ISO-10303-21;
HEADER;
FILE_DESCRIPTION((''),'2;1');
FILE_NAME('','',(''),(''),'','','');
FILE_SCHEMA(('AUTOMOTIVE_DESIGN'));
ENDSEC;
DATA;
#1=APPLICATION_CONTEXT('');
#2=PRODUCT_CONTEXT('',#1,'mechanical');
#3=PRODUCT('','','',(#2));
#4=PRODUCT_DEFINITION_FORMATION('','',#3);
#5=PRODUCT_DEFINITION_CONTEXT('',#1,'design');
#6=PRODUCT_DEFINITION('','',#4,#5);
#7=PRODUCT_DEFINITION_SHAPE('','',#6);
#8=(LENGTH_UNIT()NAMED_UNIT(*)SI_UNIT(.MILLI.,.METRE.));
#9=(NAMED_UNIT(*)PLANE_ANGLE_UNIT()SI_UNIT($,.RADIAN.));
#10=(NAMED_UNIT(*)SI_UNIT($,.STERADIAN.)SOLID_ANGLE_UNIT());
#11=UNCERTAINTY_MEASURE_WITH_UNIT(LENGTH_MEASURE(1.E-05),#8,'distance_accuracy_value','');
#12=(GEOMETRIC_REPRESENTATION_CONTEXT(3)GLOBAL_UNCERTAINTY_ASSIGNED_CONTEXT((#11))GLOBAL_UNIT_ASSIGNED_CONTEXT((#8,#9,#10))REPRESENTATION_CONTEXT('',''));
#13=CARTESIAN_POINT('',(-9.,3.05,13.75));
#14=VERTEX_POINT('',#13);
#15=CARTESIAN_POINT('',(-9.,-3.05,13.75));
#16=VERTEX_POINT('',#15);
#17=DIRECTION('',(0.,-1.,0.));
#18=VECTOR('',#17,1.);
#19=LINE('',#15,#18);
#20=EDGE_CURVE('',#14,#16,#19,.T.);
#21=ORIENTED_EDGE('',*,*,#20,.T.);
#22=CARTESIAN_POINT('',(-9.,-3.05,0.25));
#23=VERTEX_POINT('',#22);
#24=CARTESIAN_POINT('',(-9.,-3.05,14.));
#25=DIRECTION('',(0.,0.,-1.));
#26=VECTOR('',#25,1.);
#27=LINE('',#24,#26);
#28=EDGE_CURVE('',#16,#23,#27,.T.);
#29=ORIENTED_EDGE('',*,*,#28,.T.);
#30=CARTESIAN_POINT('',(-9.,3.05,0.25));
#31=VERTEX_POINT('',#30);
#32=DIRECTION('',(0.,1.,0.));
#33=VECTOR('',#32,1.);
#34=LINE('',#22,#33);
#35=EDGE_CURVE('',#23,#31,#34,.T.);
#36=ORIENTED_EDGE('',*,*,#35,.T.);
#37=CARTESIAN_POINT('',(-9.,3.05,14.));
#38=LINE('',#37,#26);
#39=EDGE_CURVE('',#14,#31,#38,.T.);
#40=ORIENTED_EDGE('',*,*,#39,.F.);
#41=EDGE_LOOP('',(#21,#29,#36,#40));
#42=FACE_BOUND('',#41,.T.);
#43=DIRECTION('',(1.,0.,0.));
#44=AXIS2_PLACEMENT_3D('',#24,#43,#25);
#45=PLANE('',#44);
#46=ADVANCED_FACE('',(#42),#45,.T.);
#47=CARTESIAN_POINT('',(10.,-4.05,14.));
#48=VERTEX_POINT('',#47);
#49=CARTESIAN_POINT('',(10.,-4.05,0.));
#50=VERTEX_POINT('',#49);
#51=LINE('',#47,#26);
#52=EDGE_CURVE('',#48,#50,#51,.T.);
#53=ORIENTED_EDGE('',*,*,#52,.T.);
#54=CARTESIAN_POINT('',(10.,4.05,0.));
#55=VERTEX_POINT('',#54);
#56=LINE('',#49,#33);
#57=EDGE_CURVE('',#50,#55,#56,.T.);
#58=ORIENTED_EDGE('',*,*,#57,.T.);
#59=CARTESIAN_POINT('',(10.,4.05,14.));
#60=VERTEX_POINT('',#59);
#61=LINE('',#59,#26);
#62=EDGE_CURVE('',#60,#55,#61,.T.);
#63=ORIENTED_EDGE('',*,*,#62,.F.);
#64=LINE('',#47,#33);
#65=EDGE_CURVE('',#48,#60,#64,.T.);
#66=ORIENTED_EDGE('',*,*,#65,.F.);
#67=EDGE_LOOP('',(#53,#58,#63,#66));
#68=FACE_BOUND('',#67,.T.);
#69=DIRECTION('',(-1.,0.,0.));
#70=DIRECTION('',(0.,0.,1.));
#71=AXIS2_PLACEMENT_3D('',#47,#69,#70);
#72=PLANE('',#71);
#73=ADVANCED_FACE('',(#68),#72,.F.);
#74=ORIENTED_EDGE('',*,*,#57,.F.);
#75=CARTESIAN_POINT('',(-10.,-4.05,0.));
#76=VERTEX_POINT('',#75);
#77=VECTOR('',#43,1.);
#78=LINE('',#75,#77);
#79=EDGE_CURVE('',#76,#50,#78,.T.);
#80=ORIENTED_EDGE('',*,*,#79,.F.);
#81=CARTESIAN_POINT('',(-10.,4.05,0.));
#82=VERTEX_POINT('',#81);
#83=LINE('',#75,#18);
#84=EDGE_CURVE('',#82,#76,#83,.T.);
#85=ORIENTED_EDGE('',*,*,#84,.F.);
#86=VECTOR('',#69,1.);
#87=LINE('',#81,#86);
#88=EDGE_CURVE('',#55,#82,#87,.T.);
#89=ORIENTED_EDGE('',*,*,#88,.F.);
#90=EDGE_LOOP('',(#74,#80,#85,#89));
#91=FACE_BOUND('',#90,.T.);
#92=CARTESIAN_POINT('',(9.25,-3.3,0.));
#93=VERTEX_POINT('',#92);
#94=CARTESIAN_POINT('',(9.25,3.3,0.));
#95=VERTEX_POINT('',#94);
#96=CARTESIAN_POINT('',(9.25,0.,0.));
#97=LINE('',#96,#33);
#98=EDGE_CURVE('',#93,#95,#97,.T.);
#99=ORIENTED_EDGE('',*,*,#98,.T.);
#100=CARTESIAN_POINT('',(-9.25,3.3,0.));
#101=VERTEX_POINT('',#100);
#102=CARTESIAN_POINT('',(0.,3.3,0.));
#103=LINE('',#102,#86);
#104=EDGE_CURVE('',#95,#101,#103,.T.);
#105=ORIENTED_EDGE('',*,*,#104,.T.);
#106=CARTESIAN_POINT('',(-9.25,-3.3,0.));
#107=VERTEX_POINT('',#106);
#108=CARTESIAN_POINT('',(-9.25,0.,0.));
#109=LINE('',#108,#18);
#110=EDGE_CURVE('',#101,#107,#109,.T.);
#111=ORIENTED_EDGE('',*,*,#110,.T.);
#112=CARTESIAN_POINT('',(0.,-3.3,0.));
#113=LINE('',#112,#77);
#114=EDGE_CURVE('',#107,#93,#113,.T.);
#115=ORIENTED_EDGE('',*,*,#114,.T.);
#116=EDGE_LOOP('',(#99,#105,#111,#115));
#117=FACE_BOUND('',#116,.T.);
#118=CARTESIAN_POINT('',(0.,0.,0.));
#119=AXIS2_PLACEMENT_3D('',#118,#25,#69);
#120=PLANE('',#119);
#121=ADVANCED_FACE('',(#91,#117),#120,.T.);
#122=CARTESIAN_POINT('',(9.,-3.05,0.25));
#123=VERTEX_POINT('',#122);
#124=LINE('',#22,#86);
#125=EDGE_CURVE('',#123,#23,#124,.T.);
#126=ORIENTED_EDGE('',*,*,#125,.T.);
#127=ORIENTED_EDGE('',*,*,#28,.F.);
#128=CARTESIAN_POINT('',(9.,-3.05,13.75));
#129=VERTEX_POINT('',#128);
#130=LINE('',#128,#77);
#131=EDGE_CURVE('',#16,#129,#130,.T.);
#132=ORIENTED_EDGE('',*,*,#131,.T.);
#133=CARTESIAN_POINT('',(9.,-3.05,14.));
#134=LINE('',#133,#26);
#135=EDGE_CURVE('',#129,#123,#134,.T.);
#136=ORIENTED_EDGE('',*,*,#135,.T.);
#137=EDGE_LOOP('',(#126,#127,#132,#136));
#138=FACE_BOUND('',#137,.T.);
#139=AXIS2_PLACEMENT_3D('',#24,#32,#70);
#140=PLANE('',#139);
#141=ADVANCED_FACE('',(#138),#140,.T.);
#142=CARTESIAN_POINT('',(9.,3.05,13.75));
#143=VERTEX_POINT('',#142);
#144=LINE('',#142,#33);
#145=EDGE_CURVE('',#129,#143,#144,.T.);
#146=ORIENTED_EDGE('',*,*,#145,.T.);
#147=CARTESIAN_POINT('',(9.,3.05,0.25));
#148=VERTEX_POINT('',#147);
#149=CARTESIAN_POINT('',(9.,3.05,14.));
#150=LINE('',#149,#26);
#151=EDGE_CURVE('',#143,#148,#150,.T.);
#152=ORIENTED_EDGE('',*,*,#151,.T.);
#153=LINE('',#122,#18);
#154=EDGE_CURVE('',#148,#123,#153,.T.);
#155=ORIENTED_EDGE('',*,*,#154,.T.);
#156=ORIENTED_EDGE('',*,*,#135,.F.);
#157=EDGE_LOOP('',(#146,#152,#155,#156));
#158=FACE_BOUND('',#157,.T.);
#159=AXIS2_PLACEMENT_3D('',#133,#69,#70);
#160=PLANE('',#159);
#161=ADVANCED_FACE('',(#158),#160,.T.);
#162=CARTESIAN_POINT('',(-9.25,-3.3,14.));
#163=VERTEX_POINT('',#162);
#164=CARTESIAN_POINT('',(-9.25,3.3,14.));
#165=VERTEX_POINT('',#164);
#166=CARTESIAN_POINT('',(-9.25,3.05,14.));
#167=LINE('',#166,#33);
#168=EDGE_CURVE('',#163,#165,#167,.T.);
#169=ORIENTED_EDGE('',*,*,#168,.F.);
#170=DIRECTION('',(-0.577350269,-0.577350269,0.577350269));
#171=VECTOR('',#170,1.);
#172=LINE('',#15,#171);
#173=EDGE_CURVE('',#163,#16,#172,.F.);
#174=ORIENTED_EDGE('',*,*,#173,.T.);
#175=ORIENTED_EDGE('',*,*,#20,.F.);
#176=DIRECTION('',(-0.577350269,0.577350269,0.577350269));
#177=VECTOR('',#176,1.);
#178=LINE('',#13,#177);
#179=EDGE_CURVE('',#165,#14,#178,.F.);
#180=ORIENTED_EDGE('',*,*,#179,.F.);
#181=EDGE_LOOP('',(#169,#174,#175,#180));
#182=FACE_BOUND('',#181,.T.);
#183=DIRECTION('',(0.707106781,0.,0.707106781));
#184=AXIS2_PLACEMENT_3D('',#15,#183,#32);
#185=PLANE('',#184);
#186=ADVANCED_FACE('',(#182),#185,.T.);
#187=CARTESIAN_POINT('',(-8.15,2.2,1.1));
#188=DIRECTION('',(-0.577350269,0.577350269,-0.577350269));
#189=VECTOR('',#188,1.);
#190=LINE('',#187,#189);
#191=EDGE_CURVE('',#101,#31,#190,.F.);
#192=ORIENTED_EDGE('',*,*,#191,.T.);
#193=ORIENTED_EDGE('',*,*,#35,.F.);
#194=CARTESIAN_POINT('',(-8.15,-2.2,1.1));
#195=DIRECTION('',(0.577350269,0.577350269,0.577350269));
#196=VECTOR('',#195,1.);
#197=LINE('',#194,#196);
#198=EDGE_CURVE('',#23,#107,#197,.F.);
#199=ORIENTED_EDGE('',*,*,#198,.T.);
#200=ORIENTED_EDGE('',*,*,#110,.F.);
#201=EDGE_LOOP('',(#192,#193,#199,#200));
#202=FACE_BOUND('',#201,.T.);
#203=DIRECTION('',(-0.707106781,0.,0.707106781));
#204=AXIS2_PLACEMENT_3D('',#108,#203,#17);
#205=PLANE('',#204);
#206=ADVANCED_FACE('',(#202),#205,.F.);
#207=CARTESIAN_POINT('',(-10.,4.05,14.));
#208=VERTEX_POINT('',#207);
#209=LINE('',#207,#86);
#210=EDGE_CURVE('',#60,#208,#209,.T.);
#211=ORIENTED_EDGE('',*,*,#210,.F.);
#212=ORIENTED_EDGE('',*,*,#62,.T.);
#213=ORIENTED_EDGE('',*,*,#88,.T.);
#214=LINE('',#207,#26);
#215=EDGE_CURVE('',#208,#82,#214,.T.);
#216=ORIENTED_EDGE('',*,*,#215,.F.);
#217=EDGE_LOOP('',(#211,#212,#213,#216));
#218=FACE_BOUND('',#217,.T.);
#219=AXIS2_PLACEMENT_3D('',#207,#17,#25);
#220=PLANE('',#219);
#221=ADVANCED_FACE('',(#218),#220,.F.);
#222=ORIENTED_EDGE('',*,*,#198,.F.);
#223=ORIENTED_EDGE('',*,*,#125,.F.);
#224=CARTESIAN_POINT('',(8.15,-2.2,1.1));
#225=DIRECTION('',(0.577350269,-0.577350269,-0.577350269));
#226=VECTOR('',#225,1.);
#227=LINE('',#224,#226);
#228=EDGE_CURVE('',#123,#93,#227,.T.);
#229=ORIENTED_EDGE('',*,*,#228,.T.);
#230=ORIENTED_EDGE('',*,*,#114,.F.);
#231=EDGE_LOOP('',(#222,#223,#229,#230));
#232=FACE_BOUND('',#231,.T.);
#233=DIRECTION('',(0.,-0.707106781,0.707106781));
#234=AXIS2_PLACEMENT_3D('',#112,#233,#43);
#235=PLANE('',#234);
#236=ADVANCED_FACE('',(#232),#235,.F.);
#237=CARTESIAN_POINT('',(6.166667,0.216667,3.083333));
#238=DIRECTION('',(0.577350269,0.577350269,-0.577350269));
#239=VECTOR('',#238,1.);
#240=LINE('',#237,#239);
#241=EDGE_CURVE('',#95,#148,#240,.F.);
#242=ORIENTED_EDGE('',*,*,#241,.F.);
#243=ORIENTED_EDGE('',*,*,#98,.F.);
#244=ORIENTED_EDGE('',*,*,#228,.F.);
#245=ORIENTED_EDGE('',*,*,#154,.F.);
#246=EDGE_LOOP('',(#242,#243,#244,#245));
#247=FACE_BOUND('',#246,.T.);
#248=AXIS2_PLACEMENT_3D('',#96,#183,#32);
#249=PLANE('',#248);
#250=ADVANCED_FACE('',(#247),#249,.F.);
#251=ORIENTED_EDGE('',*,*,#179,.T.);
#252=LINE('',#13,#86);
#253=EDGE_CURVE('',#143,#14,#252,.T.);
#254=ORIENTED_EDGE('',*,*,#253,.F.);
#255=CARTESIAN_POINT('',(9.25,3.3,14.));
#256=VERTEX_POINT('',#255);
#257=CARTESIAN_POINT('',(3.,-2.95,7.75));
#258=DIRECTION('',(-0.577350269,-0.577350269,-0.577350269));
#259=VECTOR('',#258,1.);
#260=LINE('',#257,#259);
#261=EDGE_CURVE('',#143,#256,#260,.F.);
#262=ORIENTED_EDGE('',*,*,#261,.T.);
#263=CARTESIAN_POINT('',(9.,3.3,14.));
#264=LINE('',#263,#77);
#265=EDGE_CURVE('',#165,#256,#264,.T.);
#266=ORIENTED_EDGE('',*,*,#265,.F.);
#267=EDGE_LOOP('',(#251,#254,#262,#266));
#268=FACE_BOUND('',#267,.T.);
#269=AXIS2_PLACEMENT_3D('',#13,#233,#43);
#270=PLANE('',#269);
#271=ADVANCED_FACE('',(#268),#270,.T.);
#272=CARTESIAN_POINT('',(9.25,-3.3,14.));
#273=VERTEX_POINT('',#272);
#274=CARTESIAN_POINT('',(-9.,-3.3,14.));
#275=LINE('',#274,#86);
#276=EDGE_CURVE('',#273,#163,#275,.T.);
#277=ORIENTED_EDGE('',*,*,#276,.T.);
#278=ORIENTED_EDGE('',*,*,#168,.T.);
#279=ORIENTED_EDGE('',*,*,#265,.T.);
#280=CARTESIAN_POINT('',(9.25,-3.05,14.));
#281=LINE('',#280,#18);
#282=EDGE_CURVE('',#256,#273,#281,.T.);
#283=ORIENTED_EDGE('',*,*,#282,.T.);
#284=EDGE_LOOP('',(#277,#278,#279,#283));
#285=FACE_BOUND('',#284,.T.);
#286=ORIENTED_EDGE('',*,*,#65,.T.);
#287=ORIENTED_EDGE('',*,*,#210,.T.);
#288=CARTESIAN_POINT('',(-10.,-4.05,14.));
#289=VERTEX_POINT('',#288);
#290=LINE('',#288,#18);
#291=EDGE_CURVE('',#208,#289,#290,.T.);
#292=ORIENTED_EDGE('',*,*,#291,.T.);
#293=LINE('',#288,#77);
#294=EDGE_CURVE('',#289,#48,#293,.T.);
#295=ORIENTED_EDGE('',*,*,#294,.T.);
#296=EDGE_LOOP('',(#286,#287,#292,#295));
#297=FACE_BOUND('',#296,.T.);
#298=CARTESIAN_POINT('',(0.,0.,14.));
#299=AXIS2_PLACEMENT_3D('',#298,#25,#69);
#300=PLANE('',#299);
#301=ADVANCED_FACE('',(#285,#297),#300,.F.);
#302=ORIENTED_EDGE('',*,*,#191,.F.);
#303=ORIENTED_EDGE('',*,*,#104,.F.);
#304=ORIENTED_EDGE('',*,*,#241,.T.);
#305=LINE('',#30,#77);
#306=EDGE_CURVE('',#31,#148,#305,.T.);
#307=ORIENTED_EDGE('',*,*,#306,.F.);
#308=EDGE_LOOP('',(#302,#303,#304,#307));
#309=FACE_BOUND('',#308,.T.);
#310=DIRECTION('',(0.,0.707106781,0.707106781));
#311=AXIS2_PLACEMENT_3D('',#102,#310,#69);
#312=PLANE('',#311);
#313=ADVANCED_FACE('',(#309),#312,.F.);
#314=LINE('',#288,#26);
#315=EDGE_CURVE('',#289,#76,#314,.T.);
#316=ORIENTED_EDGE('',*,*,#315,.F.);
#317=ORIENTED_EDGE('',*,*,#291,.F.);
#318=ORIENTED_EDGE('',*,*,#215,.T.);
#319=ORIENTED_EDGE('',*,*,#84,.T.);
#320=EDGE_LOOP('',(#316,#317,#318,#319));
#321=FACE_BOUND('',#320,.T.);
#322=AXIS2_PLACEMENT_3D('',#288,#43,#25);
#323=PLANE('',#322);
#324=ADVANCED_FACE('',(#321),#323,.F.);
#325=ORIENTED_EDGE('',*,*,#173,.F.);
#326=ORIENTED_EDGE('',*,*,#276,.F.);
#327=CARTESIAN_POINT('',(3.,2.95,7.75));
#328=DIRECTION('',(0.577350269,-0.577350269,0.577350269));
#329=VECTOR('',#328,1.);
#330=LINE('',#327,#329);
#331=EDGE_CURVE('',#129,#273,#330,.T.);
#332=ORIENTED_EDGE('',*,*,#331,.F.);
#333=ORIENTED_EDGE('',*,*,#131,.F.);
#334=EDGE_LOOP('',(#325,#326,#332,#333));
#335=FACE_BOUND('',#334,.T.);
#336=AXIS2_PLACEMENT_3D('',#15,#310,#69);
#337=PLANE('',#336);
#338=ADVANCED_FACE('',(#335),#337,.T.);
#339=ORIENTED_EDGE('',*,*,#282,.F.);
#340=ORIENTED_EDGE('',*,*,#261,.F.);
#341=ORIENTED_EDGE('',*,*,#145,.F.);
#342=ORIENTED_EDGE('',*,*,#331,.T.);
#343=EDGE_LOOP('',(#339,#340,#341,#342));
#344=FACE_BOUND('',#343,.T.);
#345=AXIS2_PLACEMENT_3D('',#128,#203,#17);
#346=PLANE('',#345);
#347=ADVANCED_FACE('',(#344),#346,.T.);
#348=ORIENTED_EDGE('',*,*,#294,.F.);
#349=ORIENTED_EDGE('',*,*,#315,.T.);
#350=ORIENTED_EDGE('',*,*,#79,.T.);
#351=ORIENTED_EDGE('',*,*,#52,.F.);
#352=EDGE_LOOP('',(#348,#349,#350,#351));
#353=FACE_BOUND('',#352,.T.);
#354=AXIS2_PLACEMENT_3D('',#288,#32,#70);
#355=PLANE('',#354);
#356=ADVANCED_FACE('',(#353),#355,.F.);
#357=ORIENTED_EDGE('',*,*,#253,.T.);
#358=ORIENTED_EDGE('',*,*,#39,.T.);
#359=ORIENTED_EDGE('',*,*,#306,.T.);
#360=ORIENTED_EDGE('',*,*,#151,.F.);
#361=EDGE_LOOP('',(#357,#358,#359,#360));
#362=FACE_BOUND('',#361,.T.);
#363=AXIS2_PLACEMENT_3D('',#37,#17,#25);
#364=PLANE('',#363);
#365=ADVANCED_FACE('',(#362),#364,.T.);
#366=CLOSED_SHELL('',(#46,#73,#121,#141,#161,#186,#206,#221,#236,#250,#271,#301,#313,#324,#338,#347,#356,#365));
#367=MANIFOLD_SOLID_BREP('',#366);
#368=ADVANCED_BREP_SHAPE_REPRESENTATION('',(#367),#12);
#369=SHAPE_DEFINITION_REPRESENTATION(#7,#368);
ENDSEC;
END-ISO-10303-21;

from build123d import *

# Parameters (mm, degrees)
SKETCH1_W           = 20
SKETCH1_H           = 8.1
SKETCH1_W_2         = 18
SKETCH1_H_2         = 6.1
BOSS_EXTRUDE1_DEPTH = 14
CHAMFER1_SIZE       = 0.25


with BuildPart() as part:
    # Sketch1 → Boss-Extrude1 (new body)
    with BuildSketch(Plane.XY):
        Rectangle(SKETCH1_W, SKETCH1_H)
        Rectangle(SKETCH1_W_2, SKETCH1_H_2, mode=Mode.SUBTRACT)
    extrude(amount=BOSS_EXTRUDE1_DEPTH)

    # Chamfer1
    chamfer1_edges = [part.edges().sort_by_distance(p)[0] for p in [
        (9, 0, 0),
        (0, 3.05, 0),
        (-9, 0, 0),
        (0, -3.05, 0),
        (9, 0, 14),
        (0, 3.05, 14),
        (-9, 0, 14),
        (0, -3.05, 14),
    ]]
    chamfer(chamfer1_edges, length=CHAMFER1_SIZE)


solid = part.part
